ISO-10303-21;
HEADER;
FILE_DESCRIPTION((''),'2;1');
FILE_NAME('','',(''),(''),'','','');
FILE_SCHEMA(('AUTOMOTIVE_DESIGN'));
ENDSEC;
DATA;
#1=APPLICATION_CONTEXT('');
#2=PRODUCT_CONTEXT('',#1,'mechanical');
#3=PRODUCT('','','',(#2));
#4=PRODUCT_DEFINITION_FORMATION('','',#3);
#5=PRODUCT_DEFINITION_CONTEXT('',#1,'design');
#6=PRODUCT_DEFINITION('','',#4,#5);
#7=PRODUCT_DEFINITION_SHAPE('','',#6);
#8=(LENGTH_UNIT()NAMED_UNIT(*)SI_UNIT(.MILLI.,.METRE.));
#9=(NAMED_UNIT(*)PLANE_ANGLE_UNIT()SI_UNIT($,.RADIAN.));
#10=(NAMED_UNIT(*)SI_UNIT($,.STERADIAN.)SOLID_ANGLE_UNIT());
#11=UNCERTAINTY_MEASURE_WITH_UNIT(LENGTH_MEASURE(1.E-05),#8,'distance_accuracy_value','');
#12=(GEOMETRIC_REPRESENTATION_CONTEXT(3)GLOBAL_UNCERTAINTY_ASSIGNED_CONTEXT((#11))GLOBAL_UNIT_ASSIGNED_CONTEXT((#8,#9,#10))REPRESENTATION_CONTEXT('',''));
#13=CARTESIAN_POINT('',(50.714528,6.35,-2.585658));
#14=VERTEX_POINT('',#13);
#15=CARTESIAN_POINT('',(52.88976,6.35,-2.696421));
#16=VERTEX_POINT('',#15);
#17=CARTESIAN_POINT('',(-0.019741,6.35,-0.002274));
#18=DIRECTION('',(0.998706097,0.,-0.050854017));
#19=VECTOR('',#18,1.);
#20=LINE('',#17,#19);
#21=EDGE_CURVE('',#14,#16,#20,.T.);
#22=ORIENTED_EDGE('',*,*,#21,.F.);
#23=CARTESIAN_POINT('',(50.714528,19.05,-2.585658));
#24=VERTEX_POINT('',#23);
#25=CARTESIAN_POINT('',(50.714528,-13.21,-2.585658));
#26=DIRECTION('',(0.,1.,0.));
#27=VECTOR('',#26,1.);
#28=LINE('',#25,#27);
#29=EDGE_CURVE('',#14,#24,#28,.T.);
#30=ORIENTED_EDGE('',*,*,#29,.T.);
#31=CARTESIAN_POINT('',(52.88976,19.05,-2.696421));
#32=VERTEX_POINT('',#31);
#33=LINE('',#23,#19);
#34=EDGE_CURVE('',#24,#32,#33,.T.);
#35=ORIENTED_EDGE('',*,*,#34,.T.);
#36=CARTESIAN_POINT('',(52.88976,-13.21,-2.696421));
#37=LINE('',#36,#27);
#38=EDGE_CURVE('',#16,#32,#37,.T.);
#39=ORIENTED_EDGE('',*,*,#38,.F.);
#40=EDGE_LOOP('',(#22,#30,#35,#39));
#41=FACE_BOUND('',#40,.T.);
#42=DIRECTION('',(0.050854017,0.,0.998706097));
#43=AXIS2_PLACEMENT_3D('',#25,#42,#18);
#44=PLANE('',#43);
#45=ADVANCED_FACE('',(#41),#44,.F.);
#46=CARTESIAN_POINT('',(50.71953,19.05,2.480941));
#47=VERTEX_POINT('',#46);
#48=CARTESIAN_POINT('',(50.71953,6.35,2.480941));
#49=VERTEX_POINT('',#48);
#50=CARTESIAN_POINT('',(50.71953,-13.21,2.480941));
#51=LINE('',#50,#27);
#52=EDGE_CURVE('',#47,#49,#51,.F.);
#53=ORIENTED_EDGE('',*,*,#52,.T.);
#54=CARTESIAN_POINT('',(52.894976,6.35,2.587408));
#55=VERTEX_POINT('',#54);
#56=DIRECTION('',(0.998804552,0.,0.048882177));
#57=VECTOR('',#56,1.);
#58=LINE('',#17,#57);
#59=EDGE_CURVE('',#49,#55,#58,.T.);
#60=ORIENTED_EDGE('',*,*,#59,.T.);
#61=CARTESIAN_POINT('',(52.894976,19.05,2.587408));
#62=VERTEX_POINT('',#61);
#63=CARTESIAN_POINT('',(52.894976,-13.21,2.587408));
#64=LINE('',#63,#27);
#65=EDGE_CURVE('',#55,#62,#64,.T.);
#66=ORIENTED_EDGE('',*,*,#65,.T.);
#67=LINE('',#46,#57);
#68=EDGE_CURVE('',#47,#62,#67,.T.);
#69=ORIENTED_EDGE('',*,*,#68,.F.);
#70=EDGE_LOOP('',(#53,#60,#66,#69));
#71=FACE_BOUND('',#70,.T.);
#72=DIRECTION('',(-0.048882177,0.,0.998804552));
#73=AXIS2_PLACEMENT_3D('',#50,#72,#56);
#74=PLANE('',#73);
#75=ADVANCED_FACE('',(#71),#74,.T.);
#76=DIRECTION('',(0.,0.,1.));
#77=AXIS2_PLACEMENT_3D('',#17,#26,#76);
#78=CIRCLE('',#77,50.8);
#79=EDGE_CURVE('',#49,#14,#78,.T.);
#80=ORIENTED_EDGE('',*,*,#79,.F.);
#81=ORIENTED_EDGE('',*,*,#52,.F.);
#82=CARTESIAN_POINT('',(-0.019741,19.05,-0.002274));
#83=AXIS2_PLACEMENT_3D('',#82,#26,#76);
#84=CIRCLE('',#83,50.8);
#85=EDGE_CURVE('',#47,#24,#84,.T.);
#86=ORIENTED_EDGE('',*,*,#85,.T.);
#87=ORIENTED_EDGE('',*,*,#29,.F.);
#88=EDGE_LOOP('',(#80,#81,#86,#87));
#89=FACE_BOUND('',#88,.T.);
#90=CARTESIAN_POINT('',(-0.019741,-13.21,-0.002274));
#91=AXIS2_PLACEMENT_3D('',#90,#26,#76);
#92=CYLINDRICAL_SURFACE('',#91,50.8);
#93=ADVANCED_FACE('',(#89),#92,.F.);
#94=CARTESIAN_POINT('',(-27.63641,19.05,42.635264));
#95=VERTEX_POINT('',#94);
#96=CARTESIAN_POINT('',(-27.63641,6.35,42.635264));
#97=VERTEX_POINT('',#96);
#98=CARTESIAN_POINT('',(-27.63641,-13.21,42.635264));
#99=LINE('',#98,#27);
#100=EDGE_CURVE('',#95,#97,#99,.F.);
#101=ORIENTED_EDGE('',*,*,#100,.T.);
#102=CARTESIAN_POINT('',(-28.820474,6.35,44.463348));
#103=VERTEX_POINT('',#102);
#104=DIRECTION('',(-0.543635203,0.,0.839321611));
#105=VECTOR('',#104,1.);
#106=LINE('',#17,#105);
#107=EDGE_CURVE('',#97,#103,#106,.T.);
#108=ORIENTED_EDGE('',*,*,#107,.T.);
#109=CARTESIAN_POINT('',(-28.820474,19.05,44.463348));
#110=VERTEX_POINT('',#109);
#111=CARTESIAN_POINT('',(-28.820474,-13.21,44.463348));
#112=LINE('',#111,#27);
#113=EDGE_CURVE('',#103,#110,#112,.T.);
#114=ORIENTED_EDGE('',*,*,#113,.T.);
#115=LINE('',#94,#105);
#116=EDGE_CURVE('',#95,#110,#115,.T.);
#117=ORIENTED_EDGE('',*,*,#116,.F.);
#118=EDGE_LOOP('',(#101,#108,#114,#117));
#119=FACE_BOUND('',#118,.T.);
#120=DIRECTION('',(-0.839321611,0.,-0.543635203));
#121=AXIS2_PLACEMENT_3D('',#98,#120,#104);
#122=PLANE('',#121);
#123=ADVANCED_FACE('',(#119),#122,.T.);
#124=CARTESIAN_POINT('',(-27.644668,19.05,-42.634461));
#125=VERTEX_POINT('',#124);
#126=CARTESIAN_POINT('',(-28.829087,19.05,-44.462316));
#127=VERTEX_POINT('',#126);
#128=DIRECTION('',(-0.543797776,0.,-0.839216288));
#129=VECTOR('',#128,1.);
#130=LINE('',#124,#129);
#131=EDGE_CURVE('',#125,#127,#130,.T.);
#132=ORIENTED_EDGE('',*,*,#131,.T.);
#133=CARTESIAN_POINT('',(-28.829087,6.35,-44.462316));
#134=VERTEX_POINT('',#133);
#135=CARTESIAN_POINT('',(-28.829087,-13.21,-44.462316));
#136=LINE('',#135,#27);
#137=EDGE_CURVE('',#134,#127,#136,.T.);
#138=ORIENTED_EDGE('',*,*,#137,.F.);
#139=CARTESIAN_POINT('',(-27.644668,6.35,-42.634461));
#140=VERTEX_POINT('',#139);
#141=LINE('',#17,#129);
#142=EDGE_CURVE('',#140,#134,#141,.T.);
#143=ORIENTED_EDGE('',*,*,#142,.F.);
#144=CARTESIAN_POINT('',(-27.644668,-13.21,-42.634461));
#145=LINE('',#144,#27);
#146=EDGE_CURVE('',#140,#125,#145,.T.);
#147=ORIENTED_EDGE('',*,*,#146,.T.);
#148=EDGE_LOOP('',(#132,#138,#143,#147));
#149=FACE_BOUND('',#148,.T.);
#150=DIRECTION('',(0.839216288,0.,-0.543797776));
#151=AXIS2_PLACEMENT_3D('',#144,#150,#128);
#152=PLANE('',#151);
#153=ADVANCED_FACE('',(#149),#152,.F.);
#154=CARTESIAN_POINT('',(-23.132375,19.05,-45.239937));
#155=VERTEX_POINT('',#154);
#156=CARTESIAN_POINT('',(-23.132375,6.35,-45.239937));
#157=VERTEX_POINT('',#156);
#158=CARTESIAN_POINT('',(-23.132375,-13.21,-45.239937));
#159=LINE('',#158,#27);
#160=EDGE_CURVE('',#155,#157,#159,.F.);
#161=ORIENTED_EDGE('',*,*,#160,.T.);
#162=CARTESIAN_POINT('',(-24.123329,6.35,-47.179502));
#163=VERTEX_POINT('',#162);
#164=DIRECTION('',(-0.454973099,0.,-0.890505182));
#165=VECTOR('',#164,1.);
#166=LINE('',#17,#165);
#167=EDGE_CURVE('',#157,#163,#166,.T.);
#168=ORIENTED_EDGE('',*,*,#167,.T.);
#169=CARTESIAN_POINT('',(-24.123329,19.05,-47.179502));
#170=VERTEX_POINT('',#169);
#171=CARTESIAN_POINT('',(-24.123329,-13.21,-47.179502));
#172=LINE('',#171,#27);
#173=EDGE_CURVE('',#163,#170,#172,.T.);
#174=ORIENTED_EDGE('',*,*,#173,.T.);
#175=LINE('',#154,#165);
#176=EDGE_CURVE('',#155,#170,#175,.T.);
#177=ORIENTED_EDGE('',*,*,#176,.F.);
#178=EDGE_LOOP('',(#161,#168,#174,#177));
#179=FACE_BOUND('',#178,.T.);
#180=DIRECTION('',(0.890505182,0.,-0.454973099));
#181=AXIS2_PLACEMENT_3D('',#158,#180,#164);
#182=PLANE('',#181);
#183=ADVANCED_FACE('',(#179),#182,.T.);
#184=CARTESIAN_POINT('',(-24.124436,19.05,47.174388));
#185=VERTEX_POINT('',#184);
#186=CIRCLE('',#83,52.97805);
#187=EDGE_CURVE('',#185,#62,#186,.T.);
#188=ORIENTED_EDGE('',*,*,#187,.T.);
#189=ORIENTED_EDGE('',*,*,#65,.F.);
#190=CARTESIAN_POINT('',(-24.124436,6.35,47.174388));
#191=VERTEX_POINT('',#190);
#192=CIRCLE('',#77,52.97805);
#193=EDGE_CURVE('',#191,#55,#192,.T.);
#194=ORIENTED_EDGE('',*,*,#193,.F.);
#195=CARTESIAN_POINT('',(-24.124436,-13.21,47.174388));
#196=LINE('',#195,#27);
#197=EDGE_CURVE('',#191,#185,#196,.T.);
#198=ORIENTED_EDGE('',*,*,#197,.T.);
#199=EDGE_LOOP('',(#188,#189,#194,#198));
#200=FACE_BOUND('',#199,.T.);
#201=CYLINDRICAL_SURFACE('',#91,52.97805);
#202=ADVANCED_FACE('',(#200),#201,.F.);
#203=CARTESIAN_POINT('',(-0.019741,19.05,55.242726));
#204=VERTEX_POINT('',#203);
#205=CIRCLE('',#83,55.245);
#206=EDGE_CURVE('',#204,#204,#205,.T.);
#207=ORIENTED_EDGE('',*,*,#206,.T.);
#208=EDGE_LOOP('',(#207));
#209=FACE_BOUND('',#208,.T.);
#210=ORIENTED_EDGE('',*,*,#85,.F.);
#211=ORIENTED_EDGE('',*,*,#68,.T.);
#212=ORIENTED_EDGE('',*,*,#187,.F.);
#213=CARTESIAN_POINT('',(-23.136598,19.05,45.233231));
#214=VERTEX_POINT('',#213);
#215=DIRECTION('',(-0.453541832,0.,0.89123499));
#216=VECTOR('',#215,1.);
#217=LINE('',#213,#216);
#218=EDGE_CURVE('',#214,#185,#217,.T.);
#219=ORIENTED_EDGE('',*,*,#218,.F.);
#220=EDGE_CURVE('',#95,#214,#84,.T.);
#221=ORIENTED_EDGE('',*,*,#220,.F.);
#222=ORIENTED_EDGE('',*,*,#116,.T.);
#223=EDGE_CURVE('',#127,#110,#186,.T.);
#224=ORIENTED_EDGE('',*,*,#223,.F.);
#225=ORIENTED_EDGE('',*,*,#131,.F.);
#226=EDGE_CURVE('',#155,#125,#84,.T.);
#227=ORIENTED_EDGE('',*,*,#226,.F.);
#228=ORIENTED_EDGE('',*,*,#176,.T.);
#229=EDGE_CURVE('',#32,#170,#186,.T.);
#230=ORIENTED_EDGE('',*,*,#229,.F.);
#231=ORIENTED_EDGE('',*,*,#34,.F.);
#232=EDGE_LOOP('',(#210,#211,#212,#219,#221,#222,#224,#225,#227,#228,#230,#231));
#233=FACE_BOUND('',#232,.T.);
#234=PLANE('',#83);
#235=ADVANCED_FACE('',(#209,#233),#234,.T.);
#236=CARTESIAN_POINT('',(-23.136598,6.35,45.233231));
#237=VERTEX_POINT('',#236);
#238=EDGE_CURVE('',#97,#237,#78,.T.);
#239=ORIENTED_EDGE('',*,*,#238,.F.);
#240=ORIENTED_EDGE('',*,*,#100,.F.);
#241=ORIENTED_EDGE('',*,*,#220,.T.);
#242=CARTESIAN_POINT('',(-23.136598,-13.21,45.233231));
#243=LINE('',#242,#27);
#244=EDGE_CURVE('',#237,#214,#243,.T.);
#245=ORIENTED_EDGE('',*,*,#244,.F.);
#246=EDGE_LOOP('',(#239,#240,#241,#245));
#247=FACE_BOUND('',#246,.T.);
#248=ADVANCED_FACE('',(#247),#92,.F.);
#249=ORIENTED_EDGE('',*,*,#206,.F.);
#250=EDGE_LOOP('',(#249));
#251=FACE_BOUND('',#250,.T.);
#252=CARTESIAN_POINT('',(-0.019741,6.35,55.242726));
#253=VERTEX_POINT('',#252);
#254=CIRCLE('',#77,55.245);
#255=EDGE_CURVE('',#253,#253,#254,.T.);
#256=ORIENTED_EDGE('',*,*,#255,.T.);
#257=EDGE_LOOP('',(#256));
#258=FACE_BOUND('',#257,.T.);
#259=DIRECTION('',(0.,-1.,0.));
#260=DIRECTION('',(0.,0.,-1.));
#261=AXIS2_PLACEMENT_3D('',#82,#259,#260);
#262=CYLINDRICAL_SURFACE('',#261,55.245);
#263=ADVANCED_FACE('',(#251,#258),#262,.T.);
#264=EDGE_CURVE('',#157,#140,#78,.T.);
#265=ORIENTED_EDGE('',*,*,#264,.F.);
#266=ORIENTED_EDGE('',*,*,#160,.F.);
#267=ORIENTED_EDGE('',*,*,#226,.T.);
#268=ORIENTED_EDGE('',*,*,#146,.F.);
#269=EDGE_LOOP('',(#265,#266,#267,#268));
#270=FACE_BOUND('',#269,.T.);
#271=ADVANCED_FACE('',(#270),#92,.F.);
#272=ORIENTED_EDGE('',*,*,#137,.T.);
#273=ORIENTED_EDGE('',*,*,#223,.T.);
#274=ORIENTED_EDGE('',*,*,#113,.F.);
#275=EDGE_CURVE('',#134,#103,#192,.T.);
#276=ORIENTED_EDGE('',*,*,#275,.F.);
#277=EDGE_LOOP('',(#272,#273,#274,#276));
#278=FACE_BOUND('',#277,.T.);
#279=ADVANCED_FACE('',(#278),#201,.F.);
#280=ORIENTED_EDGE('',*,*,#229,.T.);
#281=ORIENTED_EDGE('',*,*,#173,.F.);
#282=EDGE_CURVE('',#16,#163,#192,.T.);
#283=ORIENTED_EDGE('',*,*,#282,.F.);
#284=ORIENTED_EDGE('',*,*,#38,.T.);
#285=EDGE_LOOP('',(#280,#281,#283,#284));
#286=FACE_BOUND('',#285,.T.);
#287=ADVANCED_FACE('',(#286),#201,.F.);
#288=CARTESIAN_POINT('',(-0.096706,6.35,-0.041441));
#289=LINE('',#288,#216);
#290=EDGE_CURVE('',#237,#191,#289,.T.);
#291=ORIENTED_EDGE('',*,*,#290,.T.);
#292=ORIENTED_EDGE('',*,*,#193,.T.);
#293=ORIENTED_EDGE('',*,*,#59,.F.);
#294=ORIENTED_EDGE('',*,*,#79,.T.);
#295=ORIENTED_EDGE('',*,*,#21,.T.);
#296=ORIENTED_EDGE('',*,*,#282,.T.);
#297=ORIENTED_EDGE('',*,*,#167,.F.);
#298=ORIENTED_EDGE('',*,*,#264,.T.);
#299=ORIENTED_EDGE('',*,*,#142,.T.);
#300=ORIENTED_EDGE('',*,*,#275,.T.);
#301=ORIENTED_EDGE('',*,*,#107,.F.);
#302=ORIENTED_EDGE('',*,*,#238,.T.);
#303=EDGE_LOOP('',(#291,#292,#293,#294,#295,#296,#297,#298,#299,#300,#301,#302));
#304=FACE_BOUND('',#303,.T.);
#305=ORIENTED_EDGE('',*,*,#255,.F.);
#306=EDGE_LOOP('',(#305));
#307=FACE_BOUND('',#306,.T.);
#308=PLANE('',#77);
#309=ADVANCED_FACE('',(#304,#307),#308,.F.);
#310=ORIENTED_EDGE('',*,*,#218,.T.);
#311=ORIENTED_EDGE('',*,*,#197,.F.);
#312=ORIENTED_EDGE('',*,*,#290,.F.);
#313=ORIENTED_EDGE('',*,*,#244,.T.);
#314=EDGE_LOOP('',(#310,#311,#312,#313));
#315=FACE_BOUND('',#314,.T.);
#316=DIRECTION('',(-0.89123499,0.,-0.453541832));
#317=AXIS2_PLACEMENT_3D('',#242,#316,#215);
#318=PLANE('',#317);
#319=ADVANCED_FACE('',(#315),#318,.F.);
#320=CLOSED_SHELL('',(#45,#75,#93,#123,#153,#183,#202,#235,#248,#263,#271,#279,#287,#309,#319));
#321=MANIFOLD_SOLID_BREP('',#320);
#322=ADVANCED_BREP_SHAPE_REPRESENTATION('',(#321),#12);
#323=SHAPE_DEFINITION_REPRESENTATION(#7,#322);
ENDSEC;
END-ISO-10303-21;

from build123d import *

# Parameters (mm, degrees)
SKETCH1_R           = 110.49
BOSS_EXTRUDE1_DEPTH = 25.4
SKETCH2_R           = 101.6
CUT_EXTRUDE6_DEPTH  = 64.52
CUT_EXTRUDE7_DEPTH  = 64.52
SCALE1_SCALE        = 0.5


with BuildPart() as part:
    # Sketch1 → Boss-Extrude1 (new body)
    with BuildSketch(Plane(origin=(0, 0, 0), x_dir=(1, 0, 0), z_dir=(0, 1, 0))):
        Circle(SKETCH1_R)
    extrude(amount=BOSS_EXTRUDE1_DEPTH)

    # Sketch2 → Cut-Extrude6 (cut)
    with BuildSketch(Plane(origin=(0, 25.4, 0), x_dir=(1, 0, 0), z_dir=(0, 1, 0))):
        Circle(SKETCH2_R)
    extrude(amount=-CUT_EXTRUDE6_DEPTH, mode=Mode.SUBTRACT)

    # Sketch5 → Cut-Extrude7 (cut)
    with BuildSketch(Plane(origin=(0, 25.4, 0), x_dir=(1, 0, 0), z_dir=(0, 1, 0))):
        with BuildLine():
            Line((-46.233713441, -90.471010503), (-55.233336601, -85.275075655))
            Line((-55.233336601, -85.275075655), (-57.601465369, -88.931243691))
            ThreePointArc((-57.601465369, -88.931243691), (-105.956098512, -0.010262293), (-57.618691018, 88.920084135))
            Line((-57.618691018, 88.920084135), (-55.249854064, 85.264374893))
            Line((-55.249854064, 85.264374893), (-46.225266875, 90.475326484))
            Line((-46.225266875, 90.475326484), (-48.207174741, 94.354455224))
            ThreePointArc((-48.207174741, 94.354455224), (52.995520175, 91.750584513), (105.819002137, 5.388293237))
            Line((105.819002137, 5.388293237), (101.468539496, 5.166768105))
            Line((101.468539496, 5.166768105), (101.478542465, -4.966429217))
            Line((101.478542465, -4.966429217), (105.829433983, -5.179364822))
            ThreePointArc((105.829433983, -5.179364822), (53.084989634, -91.698848372), (-48.209389303, -94.353323737))
            Line((-48.209389303, -94.353323737), (-46.233713441, -90.471010503))
        make_face()
    extrude(amount=-CUT_EXTRUDE7_DEPTH, mode=Mode.SUBTRACT)


with BuildPart() as part_1:
    # Scale1: scaled about (-0.039482606, 12.7, -0.004547928)
    add(part.part.scale(SCALE1_SCALE).moved(Location((-0.019741303, 6.35, -0.002273964))))


solid = part_1.part
